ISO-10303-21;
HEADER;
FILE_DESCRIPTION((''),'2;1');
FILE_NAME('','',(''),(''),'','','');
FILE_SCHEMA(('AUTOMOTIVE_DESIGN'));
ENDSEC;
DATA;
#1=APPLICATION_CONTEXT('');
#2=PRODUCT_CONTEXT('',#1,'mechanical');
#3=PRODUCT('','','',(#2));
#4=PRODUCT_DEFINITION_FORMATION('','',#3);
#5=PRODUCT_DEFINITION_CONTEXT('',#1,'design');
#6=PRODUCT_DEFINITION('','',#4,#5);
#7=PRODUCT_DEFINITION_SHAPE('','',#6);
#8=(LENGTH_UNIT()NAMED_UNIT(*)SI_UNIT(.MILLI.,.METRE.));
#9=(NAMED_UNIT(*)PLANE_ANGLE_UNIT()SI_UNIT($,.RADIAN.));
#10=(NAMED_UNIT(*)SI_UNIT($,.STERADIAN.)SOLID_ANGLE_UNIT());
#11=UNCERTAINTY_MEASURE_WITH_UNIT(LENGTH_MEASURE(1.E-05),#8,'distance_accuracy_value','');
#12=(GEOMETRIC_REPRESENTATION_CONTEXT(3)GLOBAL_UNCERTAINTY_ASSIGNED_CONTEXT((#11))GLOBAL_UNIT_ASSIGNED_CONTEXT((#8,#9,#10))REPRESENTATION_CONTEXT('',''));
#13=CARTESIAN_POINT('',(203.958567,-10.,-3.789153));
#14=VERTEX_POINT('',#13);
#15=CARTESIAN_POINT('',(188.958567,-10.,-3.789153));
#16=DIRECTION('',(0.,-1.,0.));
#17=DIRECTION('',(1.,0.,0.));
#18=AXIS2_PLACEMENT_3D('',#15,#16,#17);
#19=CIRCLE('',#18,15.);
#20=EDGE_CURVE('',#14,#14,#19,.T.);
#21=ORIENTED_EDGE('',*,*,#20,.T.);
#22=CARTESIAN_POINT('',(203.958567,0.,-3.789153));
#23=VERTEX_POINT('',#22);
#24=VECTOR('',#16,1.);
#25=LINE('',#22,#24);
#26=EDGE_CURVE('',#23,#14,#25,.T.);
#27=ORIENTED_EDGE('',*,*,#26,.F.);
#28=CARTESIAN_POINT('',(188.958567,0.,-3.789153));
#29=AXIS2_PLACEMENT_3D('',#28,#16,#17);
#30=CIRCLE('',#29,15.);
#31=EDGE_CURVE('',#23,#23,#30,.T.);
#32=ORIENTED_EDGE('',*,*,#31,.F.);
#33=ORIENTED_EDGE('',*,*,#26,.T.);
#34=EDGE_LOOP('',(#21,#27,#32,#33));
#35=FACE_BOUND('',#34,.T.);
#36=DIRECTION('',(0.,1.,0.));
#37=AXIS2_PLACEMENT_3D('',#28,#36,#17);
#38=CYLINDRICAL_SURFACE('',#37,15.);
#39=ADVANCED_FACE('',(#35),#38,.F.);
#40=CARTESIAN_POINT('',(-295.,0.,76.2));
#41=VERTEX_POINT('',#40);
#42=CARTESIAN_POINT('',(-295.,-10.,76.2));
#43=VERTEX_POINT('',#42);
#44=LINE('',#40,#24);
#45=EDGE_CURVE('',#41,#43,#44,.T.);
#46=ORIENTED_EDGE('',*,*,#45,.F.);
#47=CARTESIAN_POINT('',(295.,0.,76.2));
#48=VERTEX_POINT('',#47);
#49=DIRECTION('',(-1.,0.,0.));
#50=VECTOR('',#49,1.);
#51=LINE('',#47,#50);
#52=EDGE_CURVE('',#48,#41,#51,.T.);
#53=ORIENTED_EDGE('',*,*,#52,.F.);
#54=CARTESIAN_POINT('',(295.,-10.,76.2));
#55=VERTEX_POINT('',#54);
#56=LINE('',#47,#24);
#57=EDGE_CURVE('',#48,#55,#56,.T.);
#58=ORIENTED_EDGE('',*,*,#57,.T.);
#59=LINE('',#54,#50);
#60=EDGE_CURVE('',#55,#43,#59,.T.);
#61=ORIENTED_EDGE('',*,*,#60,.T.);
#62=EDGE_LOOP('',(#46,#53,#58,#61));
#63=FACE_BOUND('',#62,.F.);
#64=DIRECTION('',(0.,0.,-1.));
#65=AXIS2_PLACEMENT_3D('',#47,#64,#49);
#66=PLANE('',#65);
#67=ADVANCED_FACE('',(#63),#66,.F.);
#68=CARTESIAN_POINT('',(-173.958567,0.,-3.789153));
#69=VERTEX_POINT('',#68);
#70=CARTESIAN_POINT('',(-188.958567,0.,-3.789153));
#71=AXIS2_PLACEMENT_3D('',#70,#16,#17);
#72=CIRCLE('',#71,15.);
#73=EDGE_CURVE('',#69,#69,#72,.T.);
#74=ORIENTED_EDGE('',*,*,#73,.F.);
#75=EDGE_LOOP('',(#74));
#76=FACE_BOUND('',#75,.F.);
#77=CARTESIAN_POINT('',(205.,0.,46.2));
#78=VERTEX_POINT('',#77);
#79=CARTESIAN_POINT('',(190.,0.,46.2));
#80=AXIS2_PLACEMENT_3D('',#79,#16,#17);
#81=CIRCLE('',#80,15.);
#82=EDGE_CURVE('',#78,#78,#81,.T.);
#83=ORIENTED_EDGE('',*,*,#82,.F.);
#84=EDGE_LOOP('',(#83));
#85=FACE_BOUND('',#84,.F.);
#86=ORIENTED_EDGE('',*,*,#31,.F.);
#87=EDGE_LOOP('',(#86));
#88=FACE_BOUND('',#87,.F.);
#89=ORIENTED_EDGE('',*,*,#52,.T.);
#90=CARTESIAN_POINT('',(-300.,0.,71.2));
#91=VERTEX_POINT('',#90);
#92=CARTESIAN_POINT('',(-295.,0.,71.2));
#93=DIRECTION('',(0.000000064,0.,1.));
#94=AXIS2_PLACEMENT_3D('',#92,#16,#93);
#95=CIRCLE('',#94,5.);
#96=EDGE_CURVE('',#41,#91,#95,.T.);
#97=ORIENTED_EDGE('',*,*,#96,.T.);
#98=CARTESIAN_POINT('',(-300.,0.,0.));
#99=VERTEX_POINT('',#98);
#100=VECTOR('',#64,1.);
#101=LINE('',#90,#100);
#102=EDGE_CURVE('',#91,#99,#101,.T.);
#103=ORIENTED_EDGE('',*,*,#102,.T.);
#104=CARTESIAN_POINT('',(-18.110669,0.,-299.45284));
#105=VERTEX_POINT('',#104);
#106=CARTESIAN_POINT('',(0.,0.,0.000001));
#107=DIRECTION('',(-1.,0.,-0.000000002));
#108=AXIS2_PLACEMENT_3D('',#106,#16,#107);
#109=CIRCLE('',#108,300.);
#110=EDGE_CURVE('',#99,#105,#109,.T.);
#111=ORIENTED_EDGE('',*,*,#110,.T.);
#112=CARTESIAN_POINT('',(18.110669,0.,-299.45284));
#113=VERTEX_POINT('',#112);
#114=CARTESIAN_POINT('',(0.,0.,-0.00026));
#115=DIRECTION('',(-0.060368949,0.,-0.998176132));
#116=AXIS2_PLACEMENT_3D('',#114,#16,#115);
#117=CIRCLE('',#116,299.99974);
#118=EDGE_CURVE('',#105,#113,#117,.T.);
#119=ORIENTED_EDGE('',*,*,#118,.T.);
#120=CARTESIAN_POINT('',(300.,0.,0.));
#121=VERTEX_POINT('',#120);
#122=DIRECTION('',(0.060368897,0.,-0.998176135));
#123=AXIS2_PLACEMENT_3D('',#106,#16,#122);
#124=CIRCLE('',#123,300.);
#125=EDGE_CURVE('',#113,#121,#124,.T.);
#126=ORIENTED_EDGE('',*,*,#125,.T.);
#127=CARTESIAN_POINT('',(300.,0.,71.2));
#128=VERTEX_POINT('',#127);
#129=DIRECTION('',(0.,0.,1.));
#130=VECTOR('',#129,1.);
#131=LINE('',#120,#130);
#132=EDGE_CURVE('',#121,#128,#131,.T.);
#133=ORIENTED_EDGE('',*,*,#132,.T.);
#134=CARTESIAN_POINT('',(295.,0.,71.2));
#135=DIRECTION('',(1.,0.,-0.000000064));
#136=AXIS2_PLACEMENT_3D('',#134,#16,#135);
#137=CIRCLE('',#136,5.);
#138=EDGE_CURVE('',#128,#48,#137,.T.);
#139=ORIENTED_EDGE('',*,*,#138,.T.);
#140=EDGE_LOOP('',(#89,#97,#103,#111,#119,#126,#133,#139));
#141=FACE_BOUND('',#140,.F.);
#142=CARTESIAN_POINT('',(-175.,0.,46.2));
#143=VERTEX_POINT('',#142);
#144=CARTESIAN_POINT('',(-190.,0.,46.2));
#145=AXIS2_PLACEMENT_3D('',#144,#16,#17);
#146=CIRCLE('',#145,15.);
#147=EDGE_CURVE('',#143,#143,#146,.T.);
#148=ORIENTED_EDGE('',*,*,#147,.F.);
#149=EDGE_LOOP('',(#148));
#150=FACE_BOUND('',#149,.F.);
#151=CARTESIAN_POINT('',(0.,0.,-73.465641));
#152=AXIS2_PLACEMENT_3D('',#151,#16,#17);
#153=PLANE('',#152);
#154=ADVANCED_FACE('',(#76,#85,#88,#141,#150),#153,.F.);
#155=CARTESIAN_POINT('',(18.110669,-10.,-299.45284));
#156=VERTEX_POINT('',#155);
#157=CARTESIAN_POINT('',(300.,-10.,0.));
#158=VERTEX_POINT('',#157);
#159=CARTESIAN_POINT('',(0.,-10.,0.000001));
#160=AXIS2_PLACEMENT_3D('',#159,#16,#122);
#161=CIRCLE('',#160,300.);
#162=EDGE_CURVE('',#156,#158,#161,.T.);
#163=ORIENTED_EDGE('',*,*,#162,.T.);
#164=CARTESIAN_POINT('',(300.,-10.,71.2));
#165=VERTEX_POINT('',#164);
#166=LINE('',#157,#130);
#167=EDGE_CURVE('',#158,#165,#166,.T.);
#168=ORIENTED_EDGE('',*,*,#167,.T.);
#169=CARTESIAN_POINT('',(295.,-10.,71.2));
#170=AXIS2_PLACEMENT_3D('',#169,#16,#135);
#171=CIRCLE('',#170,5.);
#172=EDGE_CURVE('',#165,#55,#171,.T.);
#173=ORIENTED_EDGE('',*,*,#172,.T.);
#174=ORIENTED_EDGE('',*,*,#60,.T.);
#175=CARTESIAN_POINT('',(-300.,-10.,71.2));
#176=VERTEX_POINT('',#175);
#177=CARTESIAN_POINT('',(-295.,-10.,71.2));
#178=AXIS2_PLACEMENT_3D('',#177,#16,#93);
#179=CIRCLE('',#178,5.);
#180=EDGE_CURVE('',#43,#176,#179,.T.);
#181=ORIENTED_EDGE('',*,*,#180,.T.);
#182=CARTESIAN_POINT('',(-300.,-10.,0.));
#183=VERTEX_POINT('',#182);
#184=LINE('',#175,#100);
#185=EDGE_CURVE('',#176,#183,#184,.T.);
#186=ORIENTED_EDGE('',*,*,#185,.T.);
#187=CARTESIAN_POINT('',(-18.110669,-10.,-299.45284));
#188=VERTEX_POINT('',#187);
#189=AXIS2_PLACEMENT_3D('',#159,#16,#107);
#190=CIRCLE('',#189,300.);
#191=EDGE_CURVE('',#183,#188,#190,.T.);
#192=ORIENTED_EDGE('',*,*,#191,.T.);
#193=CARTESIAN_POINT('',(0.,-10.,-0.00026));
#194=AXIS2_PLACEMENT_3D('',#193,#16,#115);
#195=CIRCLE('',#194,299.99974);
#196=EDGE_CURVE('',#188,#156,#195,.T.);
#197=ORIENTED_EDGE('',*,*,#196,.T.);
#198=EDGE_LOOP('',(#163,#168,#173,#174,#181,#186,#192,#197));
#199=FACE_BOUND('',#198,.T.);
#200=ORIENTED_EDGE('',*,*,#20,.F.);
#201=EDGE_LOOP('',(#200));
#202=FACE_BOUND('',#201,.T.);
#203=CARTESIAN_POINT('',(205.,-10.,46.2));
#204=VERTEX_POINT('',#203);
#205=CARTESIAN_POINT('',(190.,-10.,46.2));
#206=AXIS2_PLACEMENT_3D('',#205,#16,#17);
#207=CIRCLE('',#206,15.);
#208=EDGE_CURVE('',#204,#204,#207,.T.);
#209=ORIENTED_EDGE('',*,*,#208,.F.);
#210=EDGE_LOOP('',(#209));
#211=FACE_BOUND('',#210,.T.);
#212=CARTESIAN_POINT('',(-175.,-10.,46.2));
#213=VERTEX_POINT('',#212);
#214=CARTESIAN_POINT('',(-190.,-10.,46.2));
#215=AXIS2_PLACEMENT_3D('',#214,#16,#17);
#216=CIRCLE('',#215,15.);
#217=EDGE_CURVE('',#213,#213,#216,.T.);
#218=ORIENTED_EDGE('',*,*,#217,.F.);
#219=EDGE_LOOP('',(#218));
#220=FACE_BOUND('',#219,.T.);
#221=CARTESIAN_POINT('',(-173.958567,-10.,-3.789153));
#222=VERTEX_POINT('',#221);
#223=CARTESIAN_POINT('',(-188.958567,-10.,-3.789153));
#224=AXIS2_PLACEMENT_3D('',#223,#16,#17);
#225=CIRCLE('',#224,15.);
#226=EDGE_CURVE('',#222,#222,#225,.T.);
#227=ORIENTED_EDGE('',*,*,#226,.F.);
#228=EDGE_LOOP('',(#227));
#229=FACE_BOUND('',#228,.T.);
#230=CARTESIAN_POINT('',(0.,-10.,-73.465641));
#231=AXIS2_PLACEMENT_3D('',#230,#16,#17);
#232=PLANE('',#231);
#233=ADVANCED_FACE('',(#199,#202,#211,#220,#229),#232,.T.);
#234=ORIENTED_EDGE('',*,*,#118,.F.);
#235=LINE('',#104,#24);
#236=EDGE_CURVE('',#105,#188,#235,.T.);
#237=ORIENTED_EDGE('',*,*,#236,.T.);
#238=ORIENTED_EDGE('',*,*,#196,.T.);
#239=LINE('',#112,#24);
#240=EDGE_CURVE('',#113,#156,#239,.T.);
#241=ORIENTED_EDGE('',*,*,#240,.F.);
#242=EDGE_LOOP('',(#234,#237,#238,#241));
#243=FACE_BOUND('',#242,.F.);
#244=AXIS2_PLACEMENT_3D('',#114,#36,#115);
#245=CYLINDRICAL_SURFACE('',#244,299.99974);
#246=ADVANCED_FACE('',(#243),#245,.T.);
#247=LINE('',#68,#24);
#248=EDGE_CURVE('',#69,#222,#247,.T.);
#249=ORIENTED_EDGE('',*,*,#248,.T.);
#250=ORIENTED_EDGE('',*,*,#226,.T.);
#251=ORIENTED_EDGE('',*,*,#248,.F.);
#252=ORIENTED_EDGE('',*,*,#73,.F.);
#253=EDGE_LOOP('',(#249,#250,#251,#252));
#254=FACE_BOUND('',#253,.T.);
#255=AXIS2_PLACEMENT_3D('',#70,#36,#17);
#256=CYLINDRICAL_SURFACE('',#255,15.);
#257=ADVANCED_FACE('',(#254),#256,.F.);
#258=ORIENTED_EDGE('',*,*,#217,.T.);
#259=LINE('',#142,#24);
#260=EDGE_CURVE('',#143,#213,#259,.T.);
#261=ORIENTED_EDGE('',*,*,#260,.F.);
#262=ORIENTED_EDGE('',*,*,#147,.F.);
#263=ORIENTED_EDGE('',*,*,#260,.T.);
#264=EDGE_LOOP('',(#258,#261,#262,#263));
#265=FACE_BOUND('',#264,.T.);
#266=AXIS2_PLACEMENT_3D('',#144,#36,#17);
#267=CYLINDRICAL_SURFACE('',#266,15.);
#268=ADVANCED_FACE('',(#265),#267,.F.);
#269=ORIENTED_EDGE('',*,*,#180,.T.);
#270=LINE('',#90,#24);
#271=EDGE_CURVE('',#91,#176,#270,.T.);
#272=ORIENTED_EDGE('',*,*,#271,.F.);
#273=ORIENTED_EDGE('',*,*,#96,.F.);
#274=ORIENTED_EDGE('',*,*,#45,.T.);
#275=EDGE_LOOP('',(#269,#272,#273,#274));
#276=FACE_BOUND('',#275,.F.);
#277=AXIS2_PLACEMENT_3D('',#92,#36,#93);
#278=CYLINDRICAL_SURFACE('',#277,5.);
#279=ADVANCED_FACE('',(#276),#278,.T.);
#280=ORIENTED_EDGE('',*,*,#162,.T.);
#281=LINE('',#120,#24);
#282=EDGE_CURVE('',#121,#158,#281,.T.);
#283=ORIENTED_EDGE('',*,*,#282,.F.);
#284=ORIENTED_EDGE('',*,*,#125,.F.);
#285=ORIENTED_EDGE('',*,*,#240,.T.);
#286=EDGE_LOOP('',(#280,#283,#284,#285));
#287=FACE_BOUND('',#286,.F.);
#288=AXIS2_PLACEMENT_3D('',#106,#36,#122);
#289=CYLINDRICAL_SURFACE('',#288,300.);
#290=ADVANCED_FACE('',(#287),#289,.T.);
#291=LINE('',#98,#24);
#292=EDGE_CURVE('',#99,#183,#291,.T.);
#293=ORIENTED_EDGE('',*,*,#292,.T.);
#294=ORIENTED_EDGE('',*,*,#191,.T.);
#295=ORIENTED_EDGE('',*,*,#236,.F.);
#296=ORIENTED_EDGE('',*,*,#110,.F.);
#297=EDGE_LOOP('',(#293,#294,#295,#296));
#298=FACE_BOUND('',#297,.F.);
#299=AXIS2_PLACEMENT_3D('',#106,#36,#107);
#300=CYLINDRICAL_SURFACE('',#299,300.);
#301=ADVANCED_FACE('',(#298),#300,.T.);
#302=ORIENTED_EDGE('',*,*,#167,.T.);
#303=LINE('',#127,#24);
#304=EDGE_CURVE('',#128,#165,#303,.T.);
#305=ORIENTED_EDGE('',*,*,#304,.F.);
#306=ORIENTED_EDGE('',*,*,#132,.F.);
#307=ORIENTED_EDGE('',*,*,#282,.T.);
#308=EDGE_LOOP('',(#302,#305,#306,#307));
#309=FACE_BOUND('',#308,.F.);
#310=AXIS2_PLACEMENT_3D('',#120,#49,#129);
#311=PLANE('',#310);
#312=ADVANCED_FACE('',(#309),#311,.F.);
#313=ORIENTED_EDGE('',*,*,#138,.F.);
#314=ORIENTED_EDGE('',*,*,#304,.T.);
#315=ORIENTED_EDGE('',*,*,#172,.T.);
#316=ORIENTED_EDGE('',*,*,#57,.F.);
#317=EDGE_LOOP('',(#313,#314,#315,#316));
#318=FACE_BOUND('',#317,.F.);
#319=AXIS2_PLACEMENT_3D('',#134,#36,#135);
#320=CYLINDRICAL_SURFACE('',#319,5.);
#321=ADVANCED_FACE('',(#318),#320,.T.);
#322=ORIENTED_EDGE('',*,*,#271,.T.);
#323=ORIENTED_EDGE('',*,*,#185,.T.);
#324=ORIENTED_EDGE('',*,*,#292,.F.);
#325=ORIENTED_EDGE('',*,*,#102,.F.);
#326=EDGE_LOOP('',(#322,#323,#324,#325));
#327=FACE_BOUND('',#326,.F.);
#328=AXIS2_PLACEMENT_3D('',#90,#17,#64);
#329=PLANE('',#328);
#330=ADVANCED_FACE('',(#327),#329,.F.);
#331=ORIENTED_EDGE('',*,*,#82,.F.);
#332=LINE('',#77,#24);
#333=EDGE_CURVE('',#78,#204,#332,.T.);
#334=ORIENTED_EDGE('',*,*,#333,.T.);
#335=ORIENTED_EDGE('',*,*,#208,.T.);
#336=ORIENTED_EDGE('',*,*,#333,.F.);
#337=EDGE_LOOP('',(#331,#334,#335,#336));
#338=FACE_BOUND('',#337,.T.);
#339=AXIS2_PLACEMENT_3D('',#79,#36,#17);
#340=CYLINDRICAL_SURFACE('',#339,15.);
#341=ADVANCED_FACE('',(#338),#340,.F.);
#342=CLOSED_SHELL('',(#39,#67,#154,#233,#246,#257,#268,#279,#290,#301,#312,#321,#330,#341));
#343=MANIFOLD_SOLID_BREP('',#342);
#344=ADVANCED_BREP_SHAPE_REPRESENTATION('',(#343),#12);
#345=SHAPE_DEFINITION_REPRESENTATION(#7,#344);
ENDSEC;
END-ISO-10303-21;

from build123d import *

# Parameters (mm, degrees)
F0_R     = 15
F1_DEPTH = 10


with BuildPart() as f1:
    # F0 (on Front) → F1 (new body)
    with BuildSketch(Plane.XZ):
        with BuildLine():
            Line((-300, 71.2), (-300, 0))
            ThreePointArc((-300, 0), (-218.441297, -205.629277), (-18.110669, -299.45284))
            ThreePointArc((-18.110669, -299.45284), (0, -300), (18.110669, -299.45284))
            ThreePointArc((18.110669, -299.45284), (218.441297, -205.629277), (300, 0))
            Line((300, 0), (300, 71.2))
            ThreePointArc((300, 71.2), (298.535534, 74.735534), (295, 76.2))
            Line((295, 76.2), (-295, 76.2))
            ThreePointArc((-295, 76.2), (-298.535534, 74.735534), (-300, 71.2))
        make_face()
        with Locations((-188.958567, -3.789153)):
            Circle(F0_R, mode=Mode.SUBTRACT)
        with Locations((-190, 46.2)):
            Circle(F0_R, mode=Mode.SUBTRACT)
        with Locations((188.958567, -3.789153)):
            Circle(F0_R, mode=Mode.SUBTRACT)
        with Locations((190, 46.2)):
            Circle(F0_R, mode=Mode.SUBTRACT)
    extrude(amount=F1_DEPTH)


solid = f1.part
